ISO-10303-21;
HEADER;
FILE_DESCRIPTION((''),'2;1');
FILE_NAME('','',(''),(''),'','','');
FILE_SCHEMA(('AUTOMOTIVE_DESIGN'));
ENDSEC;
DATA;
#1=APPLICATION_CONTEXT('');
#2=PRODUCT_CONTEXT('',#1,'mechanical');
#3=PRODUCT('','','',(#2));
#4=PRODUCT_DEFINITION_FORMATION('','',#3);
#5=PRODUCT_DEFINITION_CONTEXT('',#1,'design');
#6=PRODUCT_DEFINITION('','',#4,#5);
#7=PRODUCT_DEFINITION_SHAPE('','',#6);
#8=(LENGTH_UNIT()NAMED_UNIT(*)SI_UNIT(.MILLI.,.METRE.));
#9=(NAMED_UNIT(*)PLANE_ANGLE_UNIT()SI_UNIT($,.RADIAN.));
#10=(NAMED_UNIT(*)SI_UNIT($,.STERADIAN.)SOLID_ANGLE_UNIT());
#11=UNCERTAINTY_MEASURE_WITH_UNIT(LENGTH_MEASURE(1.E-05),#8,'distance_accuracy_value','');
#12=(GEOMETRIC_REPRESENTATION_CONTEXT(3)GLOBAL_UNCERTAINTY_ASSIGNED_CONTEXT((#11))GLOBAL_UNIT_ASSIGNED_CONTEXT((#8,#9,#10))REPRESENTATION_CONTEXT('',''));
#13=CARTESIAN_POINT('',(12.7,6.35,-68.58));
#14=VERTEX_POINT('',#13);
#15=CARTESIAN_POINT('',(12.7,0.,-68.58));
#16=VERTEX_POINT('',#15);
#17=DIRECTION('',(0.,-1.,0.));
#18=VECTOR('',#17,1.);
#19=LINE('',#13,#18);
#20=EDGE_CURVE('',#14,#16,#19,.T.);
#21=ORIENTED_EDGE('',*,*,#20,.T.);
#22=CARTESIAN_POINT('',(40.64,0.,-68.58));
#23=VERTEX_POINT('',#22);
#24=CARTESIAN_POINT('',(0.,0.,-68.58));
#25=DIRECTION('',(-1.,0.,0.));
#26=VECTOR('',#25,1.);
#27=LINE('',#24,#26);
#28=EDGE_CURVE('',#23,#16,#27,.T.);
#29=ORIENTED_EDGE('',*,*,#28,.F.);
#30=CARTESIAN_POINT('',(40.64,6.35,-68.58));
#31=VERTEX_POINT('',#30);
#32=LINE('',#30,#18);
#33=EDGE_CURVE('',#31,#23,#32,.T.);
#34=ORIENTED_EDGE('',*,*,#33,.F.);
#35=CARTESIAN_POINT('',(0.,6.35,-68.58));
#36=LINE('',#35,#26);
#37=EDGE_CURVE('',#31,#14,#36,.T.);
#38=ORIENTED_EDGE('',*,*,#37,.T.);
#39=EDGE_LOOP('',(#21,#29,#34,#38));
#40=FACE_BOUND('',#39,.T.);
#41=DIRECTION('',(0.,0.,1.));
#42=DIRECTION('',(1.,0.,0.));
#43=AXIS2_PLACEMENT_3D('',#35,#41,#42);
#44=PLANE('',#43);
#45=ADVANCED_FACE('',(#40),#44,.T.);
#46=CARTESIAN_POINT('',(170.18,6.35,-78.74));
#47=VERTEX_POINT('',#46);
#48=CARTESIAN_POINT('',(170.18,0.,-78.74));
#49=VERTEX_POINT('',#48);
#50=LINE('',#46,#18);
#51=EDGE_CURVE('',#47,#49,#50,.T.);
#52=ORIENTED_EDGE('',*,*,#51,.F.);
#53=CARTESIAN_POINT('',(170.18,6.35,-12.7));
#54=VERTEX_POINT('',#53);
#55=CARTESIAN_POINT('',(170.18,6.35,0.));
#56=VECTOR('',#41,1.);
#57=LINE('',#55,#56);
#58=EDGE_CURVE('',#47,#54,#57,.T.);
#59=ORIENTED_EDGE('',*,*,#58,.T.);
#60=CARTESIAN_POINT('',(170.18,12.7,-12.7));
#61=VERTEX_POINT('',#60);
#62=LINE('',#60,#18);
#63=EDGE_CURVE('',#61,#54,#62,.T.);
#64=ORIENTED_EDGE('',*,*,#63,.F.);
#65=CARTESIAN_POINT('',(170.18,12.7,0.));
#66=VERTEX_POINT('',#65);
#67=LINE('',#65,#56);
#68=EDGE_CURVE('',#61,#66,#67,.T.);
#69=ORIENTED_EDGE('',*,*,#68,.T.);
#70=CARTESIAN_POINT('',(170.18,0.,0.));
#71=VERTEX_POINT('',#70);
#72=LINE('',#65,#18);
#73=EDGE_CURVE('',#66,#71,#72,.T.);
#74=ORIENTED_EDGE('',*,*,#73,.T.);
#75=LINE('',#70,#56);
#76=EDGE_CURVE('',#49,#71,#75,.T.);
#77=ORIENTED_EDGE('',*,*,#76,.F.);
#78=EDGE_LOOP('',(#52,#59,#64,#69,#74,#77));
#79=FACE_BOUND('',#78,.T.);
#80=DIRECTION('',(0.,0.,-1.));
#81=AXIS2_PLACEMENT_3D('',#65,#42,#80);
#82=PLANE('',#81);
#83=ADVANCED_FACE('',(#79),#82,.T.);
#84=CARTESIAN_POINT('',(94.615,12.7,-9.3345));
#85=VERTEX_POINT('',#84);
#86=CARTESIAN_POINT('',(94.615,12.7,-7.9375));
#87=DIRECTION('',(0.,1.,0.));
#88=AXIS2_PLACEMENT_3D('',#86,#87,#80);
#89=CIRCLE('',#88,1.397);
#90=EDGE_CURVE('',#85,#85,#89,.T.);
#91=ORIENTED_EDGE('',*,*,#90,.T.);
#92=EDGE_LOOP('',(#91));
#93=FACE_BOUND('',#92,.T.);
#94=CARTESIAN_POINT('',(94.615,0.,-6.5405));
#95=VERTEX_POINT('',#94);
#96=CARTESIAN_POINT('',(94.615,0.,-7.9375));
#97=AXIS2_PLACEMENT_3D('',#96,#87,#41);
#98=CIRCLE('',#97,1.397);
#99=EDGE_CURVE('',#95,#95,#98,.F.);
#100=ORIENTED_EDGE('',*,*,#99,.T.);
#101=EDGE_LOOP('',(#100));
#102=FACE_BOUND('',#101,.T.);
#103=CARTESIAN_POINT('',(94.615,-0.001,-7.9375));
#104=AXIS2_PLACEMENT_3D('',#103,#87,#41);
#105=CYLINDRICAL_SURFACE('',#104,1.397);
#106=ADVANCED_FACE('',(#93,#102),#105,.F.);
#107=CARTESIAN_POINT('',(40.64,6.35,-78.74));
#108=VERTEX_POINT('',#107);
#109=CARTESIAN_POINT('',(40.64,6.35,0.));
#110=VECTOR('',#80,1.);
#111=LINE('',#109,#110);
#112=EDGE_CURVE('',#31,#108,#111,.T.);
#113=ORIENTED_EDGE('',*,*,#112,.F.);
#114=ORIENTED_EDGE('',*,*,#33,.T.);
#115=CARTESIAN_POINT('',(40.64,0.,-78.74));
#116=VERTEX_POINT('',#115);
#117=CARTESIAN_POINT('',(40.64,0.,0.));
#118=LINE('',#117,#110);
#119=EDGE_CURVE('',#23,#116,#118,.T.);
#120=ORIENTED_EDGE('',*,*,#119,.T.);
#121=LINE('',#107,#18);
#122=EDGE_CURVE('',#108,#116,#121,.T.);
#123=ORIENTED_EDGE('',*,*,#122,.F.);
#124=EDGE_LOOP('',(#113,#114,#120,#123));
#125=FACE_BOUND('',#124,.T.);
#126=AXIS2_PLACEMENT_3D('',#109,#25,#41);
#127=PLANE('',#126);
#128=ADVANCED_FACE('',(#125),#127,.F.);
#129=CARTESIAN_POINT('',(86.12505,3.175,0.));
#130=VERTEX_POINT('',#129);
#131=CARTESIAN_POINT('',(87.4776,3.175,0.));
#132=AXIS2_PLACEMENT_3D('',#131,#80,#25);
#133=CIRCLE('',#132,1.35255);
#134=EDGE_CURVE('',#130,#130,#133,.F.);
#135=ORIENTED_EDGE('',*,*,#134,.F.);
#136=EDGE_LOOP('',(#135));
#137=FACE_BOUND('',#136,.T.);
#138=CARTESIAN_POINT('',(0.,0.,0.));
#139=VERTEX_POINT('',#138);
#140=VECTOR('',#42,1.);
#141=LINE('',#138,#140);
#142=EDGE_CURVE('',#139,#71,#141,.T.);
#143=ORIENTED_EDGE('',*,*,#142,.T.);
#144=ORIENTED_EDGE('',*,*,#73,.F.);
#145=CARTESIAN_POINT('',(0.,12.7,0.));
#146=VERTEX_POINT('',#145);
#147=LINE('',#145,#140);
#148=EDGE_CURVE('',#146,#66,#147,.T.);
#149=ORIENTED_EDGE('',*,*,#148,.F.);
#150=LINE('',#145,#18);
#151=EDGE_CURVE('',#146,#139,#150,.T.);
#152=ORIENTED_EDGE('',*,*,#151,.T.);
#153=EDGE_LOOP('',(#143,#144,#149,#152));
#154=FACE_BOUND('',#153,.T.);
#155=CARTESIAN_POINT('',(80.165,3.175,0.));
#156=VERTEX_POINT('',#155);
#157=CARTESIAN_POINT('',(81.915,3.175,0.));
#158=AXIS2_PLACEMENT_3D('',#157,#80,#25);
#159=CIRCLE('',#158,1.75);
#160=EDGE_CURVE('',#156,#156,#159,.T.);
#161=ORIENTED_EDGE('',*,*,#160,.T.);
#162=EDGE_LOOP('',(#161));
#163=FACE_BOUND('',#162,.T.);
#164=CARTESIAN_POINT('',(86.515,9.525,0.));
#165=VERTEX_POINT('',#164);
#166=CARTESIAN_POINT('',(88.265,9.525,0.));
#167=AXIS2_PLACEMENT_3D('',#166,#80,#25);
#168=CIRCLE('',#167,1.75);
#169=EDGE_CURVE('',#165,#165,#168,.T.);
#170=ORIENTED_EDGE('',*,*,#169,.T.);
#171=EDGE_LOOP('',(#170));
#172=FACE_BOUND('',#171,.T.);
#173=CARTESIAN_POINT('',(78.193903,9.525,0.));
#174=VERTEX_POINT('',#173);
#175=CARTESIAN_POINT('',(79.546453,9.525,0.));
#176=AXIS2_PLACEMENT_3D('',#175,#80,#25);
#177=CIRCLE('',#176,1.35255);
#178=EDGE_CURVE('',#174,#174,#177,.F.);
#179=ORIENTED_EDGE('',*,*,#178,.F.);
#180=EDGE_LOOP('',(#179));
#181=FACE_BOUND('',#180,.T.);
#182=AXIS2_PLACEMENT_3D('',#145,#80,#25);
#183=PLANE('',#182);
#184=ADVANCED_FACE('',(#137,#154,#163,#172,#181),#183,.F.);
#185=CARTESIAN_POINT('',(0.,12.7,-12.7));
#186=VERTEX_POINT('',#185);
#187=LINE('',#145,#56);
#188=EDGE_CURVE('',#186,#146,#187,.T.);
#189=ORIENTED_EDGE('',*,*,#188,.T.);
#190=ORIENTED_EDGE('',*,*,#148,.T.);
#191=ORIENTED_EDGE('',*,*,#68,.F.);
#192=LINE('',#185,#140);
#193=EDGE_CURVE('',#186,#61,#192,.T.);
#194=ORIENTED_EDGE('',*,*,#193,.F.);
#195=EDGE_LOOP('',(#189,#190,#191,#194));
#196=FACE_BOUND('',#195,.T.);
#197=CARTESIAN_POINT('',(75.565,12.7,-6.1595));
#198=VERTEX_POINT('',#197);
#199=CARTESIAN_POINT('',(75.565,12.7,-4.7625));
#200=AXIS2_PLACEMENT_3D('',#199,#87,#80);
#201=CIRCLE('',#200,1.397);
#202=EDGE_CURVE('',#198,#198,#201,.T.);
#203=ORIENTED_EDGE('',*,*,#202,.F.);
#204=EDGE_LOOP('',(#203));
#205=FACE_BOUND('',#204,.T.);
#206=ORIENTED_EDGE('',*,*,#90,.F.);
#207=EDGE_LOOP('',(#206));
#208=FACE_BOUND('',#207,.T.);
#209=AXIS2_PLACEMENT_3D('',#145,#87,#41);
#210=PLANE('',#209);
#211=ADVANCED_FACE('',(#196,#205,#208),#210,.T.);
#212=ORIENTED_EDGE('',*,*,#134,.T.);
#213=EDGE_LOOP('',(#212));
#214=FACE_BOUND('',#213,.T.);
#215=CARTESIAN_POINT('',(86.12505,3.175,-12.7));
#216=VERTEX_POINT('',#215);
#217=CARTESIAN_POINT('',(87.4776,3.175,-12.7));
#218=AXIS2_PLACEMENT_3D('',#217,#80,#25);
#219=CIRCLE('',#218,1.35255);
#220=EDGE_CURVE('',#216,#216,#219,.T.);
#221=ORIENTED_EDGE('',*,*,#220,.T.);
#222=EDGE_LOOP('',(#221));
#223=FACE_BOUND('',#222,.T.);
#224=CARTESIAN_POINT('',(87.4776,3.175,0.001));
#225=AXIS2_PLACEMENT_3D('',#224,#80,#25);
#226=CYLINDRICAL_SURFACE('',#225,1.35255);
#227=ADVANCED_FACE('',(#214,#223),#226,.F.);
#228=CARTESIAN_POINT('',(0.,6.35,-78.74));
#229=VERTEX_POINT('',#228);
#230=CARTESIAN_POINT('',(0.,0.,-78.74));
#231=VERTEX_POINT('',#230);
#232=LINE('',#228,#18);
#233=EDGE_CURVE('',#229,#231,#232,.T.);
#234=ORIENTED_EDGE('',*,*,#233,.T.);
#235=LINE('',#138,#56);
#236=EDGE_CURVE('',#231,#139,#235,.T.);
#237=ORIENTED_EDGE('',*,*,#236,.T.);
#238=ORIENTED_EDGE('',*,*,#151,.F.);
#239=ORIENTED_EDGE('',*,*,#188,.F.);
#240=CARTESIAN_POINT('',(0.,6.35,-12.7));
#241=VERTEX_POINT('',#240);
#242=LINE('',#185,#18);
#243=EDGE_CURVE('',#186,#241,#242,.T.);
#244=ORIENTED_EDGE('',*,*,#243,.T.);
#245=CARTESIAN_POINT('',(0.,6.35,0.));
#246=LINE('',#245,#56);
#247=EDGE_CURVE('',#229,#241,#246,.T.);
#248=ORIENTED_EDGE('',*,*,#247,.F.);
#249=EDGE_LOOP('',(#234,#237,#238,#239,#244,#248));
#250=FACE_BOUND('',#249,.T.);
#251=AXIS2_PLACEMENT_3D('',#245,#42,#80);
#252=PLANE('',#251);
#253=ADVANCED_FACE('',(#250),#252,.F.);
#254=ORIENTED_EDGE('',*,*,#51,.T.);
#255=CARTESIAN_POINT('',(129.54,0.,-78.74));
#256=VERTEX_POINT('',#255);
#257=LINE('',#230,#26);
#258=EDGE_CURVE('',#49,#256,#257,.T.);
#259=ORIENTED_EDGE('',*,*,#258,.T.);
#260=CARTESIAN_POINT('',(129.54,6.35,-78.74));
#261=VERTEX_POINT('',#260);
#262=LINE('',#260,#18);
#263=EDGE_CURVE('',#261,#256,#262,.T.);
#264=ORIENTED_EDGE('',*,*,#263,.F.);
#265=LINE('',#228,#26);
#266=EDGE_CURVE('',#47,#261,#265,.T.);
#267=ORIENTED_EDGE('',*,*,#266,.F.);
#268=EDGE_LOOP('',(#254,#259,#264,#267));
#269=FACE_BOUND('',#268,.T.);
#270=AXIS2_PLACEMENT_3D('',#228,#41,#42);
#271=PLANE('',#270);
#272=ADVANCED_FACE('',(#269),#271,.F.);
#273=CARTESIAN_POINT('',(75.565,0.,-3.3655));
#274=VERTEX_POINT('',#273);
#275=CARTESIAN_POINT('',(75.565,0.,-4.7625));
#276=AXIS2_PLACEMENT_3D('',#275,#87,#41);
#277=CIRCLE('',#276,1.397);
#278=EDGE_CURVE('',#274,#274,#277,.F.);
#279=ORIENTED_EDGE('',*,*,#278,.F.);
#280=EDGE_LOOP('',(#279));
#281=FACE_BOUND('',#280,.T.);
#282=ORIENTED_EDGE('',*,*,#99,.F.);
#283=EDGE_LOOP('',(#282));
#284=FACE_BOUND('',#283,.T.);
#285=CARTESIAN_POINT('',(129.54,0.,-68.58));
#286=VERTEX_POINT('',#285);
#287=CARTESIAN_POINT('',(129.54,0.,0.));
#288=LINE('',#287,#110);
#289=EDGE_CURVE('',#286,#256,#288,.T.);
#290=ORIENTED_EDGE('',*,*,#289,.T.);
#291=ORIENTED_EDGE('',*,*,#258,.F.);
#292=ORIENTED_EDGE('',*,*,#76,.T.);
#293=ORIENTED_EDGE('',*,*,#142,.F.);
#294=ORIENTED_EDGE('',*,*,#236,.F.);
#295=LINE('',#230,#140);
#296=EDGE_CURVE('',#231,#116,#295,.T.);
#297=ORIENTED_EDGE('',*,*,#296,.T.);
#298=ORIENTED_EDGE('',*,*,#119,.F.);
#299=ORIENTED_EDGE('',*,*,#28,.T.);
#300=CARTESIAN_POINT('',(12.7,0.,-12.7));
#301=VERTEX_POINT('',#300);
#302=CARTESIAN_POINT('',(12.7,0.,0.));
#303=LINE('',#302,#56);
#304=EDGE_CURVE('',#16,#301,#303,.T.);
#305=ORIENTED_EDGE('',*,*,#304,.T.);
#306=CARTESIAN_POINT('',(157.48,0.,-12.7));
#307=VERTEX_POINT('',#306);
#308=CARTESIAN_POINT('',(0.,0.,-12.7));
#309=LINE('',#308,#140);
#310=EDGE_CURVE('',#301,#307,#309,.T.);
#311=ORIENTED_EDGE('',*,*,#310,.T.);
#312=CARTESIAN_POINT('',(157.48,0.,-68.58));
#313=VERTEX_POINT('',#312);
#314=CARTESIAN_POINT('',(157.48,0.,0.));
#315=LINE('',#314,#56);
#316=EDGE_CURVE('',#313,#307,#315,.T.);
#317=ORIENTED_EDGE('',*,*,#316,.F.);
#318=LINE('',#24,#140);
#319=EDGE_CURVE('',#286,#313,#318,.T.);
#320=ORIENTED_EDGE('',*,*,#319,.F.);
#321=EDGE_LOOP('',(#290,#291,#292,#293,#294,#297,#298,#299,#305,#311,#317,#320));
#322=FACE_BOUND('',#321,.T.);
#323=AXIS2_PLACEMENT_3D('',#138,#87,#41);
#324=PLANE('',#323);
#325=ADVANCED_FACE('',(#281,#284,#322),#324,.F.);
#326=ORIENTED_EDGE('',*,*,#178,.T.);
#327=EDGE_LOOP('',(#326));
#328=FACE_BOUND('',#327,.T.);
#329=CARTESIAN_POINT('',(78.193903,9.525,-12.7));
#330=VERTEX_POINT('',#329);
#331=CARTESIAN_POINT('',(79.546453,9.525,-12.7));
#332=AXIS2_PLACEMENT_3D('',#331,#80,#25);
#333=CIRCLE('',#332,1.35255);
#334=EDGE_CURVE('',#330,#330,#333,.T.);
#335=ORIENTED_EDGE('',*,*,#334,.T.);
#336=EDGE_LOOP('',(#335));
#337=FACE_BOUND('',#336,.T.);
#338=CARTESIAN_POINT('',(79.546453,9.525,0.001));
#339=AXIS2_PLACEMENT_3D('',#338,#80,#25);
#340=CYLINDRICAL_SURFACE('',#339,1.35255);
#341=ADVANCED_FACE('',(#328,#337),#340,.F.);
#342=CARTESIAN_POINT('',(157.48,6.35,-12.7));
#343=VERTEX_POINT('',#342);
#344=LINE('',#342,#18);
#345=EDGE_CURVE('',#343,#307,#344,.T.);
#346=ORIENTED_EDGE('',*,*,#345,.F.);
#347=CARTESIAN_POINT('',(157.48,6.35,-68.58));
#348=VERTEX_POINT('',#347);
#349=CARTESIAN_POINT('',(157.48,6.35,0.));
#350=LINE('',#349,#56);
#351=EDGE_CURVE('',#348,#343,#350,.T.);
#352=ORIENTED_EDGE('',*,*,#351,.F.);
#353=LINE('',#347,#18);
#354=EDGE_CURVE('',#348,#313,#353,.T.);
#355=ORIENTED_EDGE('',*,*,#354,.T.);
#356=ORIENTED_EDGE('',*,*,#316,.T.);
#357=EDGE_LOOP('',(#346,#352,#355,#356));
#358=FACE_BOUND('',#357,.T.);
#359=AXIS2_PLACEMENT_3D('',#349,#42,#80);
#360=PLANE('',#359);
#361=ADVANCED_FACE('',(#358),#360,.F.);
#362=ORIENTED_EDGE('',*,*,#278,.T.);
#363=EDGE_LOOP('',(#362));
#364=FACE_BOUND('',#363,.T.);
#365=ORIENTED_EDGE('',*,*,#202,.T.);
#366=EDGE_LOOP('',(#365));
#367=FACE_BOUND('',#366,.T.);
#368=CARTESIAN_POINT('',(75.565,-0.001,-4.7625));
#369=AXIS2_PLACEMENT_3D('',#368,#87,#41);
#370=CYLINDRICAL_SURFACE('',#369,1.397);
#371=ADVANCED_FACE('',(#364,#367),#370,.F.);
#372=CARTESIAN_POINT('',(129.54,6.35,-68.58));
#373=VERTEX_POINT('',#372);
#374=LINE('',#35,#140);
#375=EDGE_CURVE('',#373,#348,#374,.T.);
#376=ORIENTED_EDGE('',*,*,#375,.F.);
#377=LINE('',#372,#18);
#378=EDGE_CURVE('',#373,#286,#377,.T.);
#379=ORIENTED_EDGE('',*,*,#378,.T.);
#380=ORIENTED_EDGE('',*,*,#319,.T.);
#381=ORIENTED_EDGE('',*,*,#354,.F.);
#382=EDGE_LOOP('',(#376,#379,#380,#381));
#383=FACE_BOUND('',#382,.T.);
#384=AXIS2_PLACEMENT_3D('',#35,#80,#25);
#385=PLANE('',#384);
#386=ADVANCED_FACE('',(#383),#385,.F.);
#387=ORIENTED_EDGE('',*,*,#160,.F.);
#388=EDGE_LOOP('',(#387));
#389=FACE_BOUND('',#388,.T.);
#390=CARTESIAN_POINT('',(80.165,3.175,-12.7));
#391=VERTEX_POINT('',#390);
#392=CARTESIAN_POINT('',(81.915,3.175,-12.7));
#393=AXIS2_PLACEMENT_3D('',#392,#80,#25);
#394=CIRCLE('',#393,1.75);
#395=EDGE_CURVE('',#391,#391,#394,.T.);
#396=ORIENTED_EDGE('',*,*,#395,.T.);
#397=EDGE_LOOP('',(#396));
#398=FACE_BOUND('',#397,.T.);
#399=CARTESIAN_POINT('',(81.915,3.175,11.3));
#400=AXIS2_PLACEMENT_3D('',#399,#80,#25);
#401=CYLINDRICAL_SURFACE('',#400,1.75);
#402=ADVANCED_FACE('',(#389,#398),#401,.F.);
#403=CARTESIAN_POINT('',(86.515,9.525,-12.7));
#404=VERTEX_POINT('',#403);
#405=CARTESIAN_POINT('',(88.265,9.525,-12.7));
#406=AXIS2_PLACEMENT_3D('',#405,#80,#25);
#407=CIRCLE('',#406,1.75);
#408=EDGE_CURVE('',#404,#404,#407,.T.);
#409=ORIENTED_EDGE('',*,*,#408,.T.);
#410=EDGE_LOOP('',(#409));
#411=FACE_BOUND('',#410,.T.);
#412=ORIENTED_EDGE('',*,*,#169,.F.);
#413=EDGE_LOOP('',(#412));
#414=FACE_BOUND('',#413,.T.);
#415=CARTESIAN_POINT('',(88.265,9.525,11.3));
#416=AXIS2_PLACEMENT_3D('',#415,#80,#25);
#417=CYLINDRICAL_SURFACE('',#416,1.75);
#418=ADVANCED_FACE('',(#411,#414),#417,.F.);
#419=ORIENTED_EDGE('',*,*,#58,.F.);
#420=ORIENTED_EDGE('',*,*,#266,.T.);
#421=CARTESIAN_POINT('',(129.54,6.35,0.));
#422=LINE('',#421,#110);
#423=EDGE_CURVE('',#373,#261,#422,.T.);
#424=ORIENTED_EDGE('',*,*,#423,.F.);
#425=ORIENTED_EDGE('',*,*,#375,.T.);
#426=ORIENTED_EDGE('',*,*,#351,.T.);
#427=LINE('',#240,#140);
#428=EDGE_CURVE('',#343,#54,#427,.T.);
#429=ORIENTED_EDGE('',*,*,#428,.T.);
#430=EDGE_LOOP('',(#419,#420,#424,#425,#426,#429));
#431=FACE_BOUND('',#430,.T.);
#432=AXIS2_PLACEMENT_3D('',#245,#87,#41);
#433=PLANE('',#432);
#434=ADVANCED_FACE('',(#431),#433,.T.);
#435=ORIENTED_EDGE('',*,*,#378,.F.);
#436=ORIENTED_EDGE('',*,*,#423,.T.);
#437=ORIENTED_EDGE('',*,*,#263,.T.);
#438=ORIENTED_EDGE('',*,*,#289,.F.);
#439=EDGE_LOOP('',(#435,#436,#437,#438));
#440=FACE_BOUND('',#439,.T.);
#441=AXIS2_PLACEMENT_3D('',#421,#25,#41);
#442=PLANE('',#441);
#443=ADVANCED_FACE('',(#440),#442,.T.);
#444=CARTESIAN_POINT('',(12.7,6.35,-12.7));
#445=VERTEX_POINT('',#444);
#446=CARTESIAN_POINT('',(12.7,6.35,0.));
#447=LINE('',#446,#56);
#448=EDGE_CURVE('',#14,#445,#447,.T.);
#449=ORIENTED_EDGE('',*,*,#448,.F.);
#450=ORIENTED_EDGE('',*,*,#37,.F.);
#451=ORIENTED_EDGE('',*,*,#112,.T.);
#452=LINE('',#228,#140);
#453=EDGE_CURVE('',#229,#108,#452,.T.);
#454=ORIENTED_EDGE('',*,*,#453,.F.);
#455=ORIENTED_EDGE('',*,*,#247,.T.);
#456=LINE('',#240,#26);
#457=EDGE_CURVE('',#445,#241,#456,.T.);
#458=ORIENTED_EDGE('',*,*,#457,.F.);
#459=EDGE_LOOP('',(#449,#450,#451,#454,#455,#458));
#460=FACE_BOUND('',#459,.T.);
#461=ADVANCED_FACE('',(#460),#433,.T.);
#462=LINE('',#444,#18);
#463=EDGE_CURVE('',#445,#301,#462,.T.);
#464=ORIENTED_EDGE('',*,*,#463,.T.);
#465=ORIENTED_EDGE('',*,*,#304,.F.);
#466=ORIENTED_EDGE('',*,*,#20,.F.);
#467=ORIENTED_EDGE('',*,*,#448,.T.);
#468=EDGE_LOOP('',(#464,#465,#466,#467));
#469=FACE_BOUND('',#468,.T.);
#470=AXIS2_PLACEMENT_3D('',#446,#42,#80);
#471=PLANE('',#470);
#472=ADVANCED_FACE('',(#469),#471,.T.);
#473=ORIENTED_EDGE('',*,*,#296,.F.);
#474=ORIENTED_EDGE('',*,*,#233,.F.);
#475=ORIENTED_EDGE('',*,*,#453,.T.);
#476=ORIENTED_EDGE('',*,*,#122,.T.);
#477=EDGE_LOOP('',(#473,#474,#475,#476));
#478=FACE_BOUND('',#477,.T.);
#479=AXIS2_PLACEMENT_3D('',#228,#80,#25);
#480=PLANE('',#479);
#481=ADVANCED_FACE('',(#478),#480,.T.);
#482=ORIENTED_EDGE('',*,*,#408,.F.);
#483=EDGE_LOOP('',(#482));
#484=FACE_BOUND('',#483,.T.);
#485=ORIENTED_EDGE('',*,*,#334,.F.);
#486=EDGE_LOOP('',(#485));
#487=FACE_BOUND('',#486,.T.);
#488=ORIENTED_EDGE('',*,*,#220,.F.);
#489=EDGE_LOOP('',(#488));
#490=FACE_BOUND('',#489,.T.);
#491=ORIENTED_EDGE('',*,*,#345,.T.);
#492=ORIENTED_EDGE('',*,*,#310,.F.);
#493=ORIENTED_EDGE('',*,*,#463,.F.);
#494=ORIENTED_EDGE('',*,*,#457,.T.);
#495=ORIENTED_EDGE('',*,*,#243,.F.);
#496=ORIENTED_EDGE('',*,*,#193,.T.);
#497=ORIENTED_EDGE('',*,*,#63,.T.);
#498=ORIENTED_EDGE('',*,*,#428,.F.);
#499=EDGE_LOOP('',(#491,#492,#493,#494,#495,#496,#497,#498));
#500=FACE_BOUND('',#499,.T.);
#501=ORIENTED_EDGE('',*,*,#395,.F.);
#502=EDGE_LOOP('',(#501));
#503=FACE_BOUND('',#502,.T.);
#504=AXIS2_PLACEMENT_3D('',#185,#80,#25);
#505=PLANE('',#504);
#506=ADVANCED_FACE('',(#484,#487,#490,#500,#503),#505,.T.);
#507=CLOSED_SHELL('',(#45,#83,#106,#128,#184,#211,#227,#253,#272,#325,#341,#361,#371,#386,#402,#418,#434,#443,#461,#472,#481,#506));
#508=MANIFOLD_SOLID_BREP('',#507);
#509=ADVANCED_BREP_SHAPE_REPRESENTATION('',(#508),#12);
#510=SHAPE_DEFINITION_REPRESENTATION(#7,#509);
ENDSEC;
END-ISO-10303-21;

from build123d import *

# Parameters (mm, degrees)
BOSS_EXTRUDE2_DEPTH   = 6.35
BOSS_EXTRUDE2_2_DEPTH = 6.35
BOSS_EXTRUDE3_DEPTH   = 12.7
CUT_EXTRUDE2_REACH    = 189.943
SKETCH3_R             = 1.397
CUT_EXTRUDE3_REACH    = 184.986
SKETCH4_R             = 1.35255
SKETCH5_R             = 1.75
CUT_EXTRUDE5_DEPTH    = 24


with BuildPart() as part:
    # Sketch1 → Boss-Extrude2 (new body)
    with BuildSketch(Plane(origin=(0, 0, 0), x_dir=(1, 0, 0), z_dir=(0, 1, 0))):
        Polygon((12.7, 68.58), (40.64, 68.58), (40.64, 78.74), (0, 78.74), (0, 12.7), (12.7, 12.7), align=None)
    extrude(amount=BOSS_EXTRUDE2_DEPTH)



with BuildPart() as body_2:
    # Sketch1 → Boss-Extrude2 2 (new body)
    with BuildSketch(Plane(origin=(0, 0, 0), x_dir=(1, 0, 0), z_dir=(0, 1, 0))):
        Polygon((157.48, 68.58), (157.48, 12.7), (170.18, 12.7), (170.18, 78.74), (129.54, 78.74), (129.54, 68.58), align=None)
    extrude(amount=BOSS_EXTRUDE2_2_DEPTH)


with BuildPart() as part_1:
    add(part.part)

    add(body_2.part)  # Boss-Extrude3 merges body 2
    # Sketch1<3> → Boss-Extrude3 (add)
    with BuildSketch(Plane(origin=(0, 0, 0), x_dir=(1, 0, 0), z_dir=(0, 1, 0))):
        Polygon((157.48, 12.7), (12.7, 12.7), (0, 12.7), (0, 0), (170.18, 0), (170.18, 12.7), align=None)
    extrude(amount=BOSS_EXTRUDE3_DEPTH)

    # Sketch3 → Cut-Extrude2 (cut, up to next)
    with BuildSketch(Plane(origin=(0, 12.7, 0), x_dir=(1, 0, 0), z_dir=(0, 1, 0)), mode=Mode.PRIVATE) as cut_extrude2_sk1:
        with Locations((75.565, 4.7625)):
            Circle(SKETCH3_R)
    cut_extrude2_tool1 = extrude(cut_extrude2_sk1.sketch, amount=-CUT_EXTRUDE2_REACH, mode=Mode.PRIVATE) & part_1.part
    # Sketch3 → Cut-Extrude2 (cut, up to next)
    with BuildSketch(Plane(origin=(0, 12.7, 0), x_dir=(1, 0, 0), z_dir=(0, 1, 0)), mode=Mode.PRIVATE) as cut_extrude2_sk2:
        with Locations((94.615, 7.9375)):
            Circle(SKETCH3_R)
    cut_extrude2_tool2 = extrude(cut_extrude2_sk2.sketch, amount=-CUT_EXTRUDE2_REACH, mode=Mode.PRIVATE) & part_1.part
    add(cut_extrude2_tool1.solids().sort_by_distance((75.565, 12.7, -4.7625))[0], mode=Mode.SUBTRACT)
    add(cut_extrude2_tool2.solids().sort_by_distance((94.615, 12.7, -7.9375))[0], mode=Mode.SUBTRACT)

    # Sketch4 → Cut-Extrude3 (cut, up to next)
    with BuildSketch(Plane(origin=(0, 0, -12.7), x_dir=(-1, 0, 0), z_dir=(0, 0, -1)), mode=Mode.PRIVATE) as cut_extrude3_sk1:
        with Locations((-87.4776, 3.175)):
            Circle(SKETCH4_R)
    cut_extrude3_tool1 = extrude(cut_extrude3_sk1.sketch, amount=-CUT_EXTRUDE3_REACH, mode=Mode.PRIVATE) & part_1.part
    # Sketch4 → Cut-Extrude3 (cut, up to next)
    with BuildSketch(Plane(origin=(0, 0, -12.7), x_dir=(-1, 0, 0), z_dir=(0, 0, -1)), mode=Mode.PRIVATE) as cut_extrude3_sk2:
        with Locations((-79.546452542, 9.525)):
            Circle(SKETCH4_R)
    cut_extrude3_tool2 = extrude(cut_extrude3_sk2.sketch, amount=-CUT_EXTRUDE3_REACH, mode=Mode.PRIVATE) & part_1.part
    add(cut_extrude3_tool1.solids().sort_by_distance((87.4776, 3.175, -12.7))[0], mode=Mode.SUBTRACT)
    add(cut_extrude3_tool2.solids().sort_by_distance((79.546453, 9.525, -12.7))[0], mode=Mode.SUBTRACT)

    # Sketch5 → Cut-Extrude5 (cut)
    with BuildSketch(Plane(origin=(0, 0, -12.7), x_dir=(-1, 0, 0), z_dir=(0, 0, -1))):
        with Locations((-88.265, 9.525)):
            Circle(SKETCH5_R)
        with Locations((-81.915, 3.175)):
            Circle(SKETCH5_R)
    extrude(amount=-CUT_EXTRUDE5_DEPTH, mode=Mode.SUBTRACT)


solid = part_1.part
